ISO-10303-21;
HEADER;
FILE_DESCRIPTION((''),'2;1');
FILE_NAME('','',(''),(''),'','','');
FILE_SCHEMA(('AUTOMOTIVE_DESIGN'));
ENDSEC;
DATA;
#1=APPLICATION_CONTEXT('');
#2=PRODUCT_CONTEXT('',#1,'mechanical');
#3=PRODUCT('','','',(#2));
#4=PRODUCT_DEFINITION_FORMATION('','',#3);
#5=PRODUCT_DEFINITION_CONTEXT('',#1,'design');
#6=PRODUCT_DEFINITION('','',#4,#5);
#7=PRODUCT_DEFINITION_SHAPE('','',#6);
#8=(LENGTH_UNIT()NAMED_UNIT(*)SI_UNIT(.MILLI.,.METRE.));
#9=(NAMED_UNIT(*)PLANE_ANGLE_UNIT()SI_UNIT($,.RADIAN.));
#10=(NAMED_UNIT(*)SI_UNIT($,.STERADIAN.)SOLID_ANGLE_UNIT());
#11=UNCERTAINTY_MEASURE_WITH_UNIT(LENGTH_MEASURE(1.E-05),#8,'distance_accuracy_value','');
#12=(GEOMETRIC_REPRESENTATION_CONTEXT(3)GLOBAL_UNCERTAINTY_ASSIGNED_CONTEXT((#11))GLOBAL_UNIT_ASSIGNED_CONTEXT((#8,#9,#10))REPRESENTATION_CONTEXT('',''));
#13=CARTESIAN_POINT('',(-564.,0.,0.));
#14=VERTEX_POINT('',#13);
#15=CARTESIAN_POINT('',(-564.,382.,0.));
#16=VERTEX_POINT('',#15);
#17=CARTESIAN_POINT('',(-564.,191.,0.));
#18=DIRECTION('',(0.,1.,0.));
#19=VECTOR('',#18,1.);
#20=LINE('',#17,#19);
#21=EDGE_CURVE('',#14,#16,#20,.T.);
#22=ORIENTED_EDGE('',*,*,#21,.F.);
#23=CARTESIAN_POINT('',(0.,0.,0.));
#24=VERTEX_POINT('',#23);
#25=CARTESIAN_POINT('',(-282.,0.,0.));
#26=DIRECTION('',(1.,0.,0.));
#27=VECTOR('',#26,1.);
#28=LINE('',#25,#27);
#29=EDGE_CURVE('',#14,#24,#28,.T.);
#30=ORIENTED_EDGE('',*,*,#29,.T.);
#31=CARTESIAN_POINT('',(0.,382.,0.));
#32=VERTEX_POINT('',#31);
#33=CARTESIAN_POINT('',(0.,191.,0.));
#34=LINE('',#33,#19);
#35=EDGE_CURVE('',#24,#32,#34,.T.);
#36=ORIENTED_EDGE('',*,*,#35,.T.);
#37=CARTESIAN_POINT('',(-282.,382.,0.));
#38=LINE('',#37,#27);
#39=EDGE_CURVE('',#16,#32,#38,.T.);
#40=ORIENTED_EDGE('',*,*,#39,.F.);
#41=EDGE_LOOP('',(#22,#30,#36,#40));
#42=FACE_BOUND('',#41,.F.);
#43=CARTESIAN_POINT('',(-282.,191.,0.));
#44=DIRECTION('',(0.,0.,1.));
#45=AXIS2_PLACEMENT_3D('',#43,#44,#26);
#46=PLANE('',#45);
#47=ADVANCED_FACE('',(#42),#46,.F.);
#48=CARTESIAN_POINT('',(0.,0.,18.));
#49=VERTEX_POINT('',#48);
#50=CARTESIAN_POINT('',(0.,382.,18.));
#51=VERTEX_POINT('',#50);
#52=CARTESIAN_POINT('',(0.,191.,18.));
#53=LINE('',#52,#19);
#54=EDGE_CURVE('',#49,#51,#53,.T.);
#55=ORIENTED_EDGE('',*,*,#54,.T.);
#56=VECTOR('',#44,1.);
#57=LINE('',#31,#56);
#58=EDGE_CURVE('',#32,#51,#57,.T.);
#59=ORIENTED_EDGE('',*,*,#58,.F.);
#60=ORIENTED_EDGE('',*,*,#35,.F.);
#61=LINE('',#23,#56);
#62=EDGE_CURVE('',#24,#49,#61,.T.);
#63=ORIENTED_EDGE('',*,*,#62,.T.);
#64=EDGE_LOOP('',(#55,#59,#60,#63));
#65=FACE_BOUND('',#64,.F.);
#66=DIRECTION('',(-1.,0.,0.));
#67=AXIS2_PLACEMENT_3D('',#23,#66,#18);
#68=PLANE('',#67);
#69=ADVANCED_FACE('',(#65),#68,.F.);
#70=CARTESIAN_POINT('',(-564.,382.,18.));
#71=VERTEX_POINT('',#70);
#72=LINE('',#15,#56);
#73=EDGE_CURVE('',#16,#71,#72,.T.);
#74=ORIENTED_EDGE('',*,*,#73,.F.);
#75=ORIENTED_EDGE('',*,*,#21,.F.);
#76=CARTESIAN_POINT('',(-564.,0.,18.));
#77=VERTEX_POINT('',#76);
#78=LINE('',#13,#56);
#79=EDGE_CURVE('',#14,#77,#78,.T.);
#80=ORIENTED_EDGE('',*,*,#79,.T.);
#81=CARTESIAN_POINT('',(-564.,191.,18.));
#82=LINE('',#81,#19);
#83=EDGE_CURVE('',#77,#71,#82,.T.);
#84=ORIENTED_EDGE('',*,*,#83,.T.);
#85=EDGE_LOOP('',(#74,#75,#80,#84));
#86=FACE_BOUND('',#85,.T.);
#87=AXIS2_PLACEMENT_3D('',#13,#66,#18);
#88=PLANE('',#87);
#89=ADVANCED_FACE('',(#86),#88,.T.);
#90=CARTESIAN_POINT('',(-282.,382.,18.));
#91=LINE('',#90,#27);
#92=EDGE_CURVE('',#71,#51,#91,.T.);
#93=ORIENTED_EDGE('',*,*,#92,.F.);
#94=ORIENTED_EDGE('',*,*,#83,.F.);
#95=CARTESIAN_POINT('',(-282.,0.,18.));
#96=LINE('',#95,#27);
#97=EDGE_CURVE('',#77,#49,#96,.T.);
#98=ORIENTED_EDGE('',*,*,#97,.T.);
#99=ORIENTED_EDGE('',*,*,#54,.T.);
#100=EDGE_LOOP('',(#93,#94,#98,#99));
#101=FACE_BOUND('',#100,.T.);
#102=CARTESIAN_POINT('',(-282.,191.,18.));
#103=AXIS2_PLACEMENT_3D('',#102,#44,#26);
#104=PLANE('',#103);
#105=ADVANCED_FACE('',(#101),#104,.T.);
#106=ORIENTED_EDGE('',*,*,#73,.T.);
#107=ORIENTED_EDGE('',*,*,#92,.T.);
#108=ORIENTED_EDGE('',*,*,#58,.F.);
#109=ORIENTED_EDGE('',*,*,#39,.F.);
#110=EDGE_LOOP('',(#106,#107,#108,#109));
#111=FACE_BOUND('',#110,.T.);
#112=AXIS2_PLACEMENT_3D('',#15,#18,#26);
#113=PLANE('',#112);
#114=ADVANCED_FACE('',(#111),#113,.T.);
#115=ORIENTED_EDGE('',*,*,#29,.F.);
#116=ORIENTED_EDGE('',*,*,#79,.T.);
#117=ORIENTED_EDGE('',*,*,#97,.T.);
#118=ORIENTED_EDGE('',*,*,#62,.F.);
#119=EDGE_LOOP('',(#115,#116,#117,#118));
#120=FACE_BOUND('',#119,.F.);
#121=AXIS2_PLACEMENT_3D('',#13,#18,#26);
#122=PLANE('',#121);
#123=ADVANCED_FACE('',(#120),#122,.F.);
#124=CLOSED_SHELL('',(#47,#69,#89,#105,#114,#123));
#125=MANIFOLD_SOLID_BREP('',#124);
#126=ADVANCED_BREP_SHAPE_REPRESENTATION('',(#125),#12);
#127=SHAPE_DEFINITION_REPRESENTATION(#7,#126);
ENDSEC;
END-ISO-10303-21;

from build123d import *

# Parameters (mm, degrees)
SKETCH_W  = 564
SKETCH_H  = 382
PAD_DEPTH = 18


with BuildPart() as part:
    # Sketch → Pad (new body)
    with BuildSketch(Plane.XY):
        with Locations((-282, 191)):
            Rectangle(SKETCH_W, SKETCH_H)
    extrude(amount=PAD_DEPTH)


solid = part.part
